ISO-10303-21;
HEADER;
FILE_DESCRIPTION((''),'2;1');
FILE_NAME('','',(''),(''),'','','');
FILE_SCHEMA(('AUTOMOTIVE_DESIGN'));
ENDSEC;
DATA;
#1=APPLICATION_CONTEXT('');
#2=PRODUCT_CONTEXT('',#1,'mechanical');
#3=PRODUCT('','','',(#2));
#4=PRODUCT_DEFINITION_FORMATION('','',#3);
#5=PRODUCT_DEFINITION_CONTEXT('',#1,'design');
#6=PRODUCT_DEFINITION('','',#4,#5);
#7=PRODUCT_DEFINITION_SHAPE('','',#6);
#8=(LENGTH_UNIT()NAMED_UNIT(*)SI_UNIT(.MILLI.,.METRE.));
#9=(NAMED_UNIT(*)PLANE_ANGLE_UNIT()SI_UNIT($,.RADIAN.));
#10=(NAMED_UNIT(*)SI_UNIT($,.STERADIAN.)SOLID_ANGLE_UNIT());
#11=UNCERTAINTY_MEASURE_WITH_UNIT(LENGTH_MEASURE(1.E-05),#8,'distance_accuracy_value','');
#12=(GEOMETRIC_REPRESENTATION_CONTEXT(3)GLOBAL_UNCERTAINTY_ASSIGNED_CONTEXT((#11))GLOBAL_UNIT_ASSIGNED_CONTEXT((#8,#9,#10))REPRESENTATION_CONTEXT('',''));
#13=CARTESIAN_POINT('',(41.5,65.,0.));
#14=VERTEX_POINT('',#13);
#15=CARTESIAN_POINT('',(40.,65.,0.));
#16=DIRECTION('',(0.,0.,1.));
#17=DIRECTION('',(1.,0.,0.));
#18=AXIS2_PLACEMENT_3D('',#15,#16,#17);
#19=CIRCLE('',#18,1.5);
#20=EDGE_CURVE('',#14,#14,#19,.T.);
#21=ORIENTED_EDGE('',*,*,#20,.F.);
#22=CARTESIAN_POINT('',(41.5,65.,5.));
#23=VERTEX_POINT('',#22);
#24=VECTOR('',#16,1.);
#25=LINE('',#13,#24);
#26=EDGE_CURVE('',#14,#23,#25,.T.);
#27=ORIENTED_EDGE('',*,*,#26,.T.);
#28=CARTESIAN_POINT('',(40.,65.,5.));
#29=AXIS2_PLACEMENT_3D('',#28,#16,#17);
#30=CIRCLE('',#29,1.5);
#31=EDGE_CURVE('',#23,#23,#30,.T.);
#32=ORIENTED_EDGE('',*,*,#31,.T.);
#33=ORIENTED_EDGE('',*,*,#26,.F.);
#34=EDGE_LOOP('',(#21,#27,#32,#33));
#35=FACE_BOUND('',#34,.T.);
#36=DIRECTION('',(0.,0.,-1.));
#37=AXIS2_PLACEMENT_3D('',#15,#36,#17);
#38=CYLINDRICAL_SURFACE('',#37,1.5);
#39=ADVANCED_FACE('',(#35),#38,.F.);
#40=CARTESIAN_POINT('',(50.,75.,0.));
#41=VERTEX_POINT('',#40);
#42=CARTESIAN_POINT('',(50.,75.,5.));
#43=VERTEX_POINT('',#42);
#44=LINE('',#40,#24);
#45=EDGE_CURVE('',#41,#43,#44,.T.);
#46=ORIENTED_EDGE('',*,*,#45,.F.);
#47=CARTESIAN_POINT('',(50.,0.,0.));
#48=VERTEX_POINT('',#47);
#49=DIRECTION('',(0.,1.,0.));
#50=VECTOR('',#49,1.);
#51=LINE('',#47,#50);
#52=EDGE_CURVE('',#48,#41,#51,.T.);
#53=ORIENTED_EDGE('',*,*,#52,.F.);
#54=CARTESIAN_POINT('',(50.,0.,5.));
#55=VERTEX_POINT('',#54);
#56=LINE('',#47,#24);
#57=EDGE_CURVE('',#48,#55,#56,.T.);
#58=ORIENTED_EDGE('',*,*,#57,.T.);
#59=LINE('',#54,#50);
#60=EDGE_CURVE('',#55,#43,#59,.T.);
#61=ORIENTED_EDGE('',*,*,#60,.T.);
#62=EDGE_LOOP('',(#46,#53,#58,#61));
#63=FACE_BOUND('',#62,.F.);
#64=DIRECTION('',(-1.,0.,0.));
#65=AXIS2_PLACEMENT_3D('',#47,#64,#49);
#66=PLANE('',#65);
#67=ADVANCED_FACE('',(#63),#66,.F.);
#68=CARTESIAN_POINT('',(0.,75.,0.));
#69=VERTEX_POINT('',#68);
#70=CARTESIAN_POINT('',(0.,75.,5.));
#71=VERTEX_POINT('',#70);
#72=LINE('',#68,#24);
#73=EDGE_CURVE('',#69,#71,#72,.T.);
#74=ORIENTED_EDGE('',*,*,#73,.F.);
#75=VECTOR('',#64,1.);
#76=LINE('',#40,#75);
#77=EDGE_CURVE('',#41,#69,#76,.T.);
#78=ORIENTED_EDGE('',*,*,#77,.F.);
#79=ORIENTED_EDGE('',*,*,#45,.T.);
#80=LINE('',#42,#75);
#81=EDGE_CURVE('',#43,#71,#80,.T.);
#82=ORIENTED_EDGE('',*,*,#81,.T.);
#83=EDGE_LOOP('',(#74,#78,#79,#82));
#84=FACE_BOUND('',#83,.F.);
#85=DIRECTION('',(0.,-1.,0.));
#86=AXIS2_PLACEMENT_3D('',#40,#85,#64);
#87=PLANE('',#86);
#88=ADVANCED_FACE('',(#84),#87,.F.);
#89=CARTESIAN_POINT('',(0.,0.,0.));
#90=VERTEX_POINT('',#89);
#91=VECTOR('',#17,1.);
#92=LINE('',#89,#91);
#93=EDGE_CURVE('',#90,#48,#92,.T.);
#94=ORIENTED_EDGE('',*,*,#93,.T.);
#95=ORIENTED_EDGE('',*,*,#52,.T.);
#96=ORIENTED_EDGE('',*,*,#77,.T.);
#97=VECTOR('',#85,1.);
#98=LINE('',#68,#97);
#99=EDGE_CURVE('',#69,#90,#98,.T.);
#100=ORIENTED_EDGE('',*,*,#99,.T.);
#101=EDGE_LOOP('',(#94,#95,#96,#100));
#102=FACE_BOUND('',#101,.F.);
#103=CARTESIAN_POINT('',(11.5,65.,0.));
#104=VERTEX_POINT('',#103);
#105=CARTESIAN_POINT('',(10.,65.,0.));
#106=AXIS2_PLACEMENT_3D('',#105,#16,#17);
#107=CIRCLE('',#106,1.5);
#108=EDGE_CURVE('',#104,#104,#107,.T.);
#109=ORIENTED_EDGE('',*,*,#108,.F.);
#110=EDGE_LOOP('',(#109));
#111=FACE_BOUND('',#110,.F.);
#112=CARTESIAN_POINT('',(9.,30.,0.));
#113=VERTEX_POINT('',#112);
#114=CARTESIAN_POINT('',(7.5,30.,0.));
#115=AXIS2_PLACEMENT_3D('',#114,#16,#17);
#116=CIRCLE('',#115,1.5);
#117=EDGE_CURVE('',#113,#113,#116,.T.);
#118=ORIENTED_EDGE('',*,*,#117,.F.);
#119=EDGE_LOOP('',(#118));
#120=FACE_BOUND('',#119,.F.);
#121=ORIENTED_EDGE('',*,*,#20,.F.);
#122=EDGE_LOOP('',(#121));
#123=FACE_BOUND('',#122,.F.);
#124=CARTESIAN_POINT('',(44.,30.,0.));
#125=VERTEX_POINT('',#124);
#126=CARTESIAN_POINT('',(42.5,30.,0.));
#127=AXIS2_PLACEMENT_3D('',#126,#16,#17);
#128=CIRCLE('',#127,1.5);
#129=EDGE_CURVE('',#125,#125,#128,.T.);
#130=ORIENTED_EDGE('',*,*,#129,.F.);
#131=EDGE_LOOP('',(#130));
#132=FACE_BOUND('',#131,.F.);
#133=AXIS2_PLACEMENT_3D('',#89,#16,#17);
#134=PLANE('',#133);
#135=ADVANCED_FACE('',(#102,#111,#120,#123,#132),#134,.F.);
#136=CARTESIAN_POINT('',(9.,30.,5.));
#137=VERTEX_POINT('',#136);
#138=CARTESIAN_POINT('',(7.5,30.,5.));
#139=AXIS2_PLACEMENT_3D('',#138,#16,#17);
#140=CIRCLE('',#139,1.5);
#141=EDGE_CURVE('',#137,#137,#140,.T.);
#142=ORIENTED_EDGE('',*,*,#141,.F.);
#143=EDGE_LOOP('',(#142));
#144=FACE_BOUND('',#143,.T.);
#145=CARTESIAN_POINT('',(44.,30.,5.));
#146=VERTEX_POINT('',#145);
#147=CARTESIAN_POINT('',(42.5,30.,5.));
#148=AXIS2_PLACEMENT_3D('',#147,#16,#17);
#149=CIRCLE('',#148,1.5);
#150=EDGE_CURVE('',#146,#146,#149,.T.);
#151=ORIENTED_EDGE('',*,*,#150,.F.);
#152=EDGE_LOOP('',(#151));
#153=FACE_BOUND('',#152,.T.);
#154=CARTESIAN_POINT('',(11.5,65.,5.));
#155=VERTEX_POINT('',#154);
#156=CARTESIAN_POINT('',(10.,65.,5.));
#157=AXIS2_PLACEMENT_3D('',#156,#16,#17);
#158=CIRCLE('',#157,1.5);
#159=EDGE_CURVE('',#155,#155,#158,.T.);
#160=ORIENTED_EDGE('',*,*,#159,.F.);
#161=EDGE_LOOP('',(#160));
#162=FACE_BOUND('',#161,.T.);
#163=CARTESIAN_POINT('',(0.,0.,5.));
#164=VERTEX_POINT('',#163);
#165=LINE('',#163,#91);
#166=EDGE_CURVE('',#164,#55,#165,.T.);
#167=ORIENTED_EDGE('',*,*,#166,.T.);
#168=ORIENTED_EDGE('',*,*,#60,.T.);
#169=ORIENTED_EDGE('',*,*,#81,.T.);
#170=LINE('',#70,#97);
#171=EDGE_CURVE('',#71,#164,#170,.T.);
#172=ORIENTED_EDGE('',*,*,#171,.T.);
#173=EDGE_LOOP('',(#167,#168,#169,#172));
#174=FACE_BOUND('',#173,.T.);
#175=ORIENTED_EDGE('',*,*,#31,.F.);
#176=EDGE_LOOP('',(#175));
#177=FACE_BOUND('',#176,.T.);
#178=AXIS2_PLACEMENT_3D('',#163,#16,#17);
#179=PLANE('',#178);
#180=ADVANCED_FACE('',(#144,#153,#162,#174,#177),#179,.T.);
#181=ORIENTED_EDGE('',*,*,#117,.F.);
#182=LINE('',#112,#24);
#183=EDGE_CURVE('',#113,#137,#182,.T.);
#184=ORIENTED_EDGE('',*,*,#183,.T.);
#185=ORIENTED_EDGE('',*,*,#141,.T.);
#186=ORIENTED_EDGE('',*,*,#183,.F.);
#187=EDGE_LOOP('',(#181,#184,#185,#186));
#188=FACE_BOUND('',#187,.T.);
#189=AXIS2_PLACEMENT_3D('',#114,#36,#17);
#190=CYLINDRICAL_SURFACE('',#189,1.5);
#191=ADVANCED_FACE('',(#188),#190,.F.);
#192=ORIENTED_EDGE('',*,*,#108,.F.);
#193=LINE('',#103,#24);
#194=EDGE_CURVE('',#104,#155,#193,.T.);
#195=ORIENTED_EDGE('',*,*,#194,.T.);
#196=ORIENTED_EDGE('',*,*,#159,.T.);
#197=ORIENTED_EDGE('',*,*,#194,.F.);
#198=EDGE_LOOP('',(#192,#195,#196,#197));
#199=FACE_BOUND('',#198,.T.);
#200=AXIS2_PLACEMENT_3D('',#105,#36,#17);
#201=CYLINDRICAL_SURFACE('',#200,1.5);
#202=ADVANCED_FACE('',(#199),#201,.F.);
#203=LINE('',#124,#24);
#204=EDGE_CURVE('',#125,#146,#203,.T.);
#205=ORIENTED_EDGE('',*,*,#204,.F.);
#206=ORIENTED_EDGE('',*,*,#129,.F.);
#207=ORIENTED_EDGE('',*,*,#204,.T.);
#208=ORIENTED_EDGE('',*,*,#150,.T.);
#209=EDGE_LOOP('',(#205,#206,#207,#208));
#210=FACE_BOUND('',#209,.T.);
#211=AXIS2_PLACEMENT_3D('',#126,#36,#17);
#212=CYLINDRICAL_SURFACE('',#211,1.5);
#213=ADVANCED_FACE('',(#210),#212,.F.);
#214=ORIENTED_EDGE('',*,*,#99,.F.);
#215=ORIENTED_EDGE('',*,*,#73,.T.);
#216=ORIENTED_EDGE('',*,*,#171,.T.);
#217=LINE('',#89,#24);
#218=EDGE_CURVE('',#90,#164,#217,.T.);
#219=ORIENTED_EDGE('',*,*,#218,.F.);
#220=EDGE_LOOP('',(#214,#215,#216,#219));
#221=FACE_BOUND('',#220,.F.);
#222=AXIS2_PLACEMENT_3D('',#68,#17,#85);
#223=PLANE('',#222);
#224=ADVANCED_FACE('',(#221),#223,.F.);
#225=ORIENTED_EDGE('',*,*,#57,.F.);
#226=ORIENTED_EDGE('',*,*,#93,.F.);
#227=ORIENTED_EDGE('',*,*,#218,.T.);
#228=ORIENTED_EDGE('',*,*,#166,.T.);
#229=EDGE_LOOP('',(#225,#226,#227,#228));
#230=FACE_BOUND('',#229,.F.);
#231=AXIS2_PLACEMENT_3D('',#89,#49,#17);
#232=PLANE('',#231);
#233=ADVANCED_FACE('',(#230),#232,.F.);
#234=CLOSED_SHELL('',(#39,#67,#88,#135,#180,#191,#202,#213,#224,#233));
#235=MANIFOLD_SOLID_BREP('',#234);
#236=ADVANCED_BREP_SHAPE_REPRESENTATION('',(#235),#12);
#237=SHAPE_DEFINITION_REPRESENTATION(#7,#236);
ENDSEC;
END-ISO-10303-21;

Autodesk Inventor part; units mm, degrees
ref_plane "YZ Plane" through (0, 0, 0) normal (1, 0, 0) x (0, 1, 0)
ref_plane "XZ Plane" through (0, 0, 0) normal (0, 1, 0) x (-1, 0, 0)
ref_plane "XY Plane" through (0, 0, 0) normal (0, 0, 1) x (1, 0, 0)
sketch "Sketch1" plane through (0, 0, 0) normal (0, 0, 1) x (1, 0, 0)
  line L0 (0, 0) -> (50, 0)
  line L1 (50, 0) -> (50, 75)
  line L2 (50, 75) -> (0, 75)
  line L3 (0, 75) -> (0, 0)
  line L4 (10, 65) -> (40, 65) construction
  line L5 (40, 65) -> (42.5, 30) construction
  line L6 (42.5, 30) -> (7.5, 30) construction
  line L7 (7.5, 30) -> (10, 65) construction
  line L8 (8.75, 47.5) -> (41.25, 47.5) construction
  line L9 (25, 65) -> (25, 30) construction
  circle A0 centre (10, 65) radius 1.5
  circle A1 centre (7.5, 30) radius 1.5
  circle A2 centre (42.5, 30) radius 1.5
  circle A3 centre (40, 65) radius 1.5
  point P0 (25, 75)
  dimension "d0" = 50
  dimension "d1" = 75
  dimension "d2" = 35
  dimension "d4" = 3
  dimension "d5" = 3
  dimension "d6" = 3
  dimension "d7" = 3
  dimension "d8" = 10
  dimension "d11" = 30
  dimension "d12" = 35
extrude "Extrusion1" add sketch "Sketch1" along normal blind 5
properties part number "GA006" material "ABS Plastic"
